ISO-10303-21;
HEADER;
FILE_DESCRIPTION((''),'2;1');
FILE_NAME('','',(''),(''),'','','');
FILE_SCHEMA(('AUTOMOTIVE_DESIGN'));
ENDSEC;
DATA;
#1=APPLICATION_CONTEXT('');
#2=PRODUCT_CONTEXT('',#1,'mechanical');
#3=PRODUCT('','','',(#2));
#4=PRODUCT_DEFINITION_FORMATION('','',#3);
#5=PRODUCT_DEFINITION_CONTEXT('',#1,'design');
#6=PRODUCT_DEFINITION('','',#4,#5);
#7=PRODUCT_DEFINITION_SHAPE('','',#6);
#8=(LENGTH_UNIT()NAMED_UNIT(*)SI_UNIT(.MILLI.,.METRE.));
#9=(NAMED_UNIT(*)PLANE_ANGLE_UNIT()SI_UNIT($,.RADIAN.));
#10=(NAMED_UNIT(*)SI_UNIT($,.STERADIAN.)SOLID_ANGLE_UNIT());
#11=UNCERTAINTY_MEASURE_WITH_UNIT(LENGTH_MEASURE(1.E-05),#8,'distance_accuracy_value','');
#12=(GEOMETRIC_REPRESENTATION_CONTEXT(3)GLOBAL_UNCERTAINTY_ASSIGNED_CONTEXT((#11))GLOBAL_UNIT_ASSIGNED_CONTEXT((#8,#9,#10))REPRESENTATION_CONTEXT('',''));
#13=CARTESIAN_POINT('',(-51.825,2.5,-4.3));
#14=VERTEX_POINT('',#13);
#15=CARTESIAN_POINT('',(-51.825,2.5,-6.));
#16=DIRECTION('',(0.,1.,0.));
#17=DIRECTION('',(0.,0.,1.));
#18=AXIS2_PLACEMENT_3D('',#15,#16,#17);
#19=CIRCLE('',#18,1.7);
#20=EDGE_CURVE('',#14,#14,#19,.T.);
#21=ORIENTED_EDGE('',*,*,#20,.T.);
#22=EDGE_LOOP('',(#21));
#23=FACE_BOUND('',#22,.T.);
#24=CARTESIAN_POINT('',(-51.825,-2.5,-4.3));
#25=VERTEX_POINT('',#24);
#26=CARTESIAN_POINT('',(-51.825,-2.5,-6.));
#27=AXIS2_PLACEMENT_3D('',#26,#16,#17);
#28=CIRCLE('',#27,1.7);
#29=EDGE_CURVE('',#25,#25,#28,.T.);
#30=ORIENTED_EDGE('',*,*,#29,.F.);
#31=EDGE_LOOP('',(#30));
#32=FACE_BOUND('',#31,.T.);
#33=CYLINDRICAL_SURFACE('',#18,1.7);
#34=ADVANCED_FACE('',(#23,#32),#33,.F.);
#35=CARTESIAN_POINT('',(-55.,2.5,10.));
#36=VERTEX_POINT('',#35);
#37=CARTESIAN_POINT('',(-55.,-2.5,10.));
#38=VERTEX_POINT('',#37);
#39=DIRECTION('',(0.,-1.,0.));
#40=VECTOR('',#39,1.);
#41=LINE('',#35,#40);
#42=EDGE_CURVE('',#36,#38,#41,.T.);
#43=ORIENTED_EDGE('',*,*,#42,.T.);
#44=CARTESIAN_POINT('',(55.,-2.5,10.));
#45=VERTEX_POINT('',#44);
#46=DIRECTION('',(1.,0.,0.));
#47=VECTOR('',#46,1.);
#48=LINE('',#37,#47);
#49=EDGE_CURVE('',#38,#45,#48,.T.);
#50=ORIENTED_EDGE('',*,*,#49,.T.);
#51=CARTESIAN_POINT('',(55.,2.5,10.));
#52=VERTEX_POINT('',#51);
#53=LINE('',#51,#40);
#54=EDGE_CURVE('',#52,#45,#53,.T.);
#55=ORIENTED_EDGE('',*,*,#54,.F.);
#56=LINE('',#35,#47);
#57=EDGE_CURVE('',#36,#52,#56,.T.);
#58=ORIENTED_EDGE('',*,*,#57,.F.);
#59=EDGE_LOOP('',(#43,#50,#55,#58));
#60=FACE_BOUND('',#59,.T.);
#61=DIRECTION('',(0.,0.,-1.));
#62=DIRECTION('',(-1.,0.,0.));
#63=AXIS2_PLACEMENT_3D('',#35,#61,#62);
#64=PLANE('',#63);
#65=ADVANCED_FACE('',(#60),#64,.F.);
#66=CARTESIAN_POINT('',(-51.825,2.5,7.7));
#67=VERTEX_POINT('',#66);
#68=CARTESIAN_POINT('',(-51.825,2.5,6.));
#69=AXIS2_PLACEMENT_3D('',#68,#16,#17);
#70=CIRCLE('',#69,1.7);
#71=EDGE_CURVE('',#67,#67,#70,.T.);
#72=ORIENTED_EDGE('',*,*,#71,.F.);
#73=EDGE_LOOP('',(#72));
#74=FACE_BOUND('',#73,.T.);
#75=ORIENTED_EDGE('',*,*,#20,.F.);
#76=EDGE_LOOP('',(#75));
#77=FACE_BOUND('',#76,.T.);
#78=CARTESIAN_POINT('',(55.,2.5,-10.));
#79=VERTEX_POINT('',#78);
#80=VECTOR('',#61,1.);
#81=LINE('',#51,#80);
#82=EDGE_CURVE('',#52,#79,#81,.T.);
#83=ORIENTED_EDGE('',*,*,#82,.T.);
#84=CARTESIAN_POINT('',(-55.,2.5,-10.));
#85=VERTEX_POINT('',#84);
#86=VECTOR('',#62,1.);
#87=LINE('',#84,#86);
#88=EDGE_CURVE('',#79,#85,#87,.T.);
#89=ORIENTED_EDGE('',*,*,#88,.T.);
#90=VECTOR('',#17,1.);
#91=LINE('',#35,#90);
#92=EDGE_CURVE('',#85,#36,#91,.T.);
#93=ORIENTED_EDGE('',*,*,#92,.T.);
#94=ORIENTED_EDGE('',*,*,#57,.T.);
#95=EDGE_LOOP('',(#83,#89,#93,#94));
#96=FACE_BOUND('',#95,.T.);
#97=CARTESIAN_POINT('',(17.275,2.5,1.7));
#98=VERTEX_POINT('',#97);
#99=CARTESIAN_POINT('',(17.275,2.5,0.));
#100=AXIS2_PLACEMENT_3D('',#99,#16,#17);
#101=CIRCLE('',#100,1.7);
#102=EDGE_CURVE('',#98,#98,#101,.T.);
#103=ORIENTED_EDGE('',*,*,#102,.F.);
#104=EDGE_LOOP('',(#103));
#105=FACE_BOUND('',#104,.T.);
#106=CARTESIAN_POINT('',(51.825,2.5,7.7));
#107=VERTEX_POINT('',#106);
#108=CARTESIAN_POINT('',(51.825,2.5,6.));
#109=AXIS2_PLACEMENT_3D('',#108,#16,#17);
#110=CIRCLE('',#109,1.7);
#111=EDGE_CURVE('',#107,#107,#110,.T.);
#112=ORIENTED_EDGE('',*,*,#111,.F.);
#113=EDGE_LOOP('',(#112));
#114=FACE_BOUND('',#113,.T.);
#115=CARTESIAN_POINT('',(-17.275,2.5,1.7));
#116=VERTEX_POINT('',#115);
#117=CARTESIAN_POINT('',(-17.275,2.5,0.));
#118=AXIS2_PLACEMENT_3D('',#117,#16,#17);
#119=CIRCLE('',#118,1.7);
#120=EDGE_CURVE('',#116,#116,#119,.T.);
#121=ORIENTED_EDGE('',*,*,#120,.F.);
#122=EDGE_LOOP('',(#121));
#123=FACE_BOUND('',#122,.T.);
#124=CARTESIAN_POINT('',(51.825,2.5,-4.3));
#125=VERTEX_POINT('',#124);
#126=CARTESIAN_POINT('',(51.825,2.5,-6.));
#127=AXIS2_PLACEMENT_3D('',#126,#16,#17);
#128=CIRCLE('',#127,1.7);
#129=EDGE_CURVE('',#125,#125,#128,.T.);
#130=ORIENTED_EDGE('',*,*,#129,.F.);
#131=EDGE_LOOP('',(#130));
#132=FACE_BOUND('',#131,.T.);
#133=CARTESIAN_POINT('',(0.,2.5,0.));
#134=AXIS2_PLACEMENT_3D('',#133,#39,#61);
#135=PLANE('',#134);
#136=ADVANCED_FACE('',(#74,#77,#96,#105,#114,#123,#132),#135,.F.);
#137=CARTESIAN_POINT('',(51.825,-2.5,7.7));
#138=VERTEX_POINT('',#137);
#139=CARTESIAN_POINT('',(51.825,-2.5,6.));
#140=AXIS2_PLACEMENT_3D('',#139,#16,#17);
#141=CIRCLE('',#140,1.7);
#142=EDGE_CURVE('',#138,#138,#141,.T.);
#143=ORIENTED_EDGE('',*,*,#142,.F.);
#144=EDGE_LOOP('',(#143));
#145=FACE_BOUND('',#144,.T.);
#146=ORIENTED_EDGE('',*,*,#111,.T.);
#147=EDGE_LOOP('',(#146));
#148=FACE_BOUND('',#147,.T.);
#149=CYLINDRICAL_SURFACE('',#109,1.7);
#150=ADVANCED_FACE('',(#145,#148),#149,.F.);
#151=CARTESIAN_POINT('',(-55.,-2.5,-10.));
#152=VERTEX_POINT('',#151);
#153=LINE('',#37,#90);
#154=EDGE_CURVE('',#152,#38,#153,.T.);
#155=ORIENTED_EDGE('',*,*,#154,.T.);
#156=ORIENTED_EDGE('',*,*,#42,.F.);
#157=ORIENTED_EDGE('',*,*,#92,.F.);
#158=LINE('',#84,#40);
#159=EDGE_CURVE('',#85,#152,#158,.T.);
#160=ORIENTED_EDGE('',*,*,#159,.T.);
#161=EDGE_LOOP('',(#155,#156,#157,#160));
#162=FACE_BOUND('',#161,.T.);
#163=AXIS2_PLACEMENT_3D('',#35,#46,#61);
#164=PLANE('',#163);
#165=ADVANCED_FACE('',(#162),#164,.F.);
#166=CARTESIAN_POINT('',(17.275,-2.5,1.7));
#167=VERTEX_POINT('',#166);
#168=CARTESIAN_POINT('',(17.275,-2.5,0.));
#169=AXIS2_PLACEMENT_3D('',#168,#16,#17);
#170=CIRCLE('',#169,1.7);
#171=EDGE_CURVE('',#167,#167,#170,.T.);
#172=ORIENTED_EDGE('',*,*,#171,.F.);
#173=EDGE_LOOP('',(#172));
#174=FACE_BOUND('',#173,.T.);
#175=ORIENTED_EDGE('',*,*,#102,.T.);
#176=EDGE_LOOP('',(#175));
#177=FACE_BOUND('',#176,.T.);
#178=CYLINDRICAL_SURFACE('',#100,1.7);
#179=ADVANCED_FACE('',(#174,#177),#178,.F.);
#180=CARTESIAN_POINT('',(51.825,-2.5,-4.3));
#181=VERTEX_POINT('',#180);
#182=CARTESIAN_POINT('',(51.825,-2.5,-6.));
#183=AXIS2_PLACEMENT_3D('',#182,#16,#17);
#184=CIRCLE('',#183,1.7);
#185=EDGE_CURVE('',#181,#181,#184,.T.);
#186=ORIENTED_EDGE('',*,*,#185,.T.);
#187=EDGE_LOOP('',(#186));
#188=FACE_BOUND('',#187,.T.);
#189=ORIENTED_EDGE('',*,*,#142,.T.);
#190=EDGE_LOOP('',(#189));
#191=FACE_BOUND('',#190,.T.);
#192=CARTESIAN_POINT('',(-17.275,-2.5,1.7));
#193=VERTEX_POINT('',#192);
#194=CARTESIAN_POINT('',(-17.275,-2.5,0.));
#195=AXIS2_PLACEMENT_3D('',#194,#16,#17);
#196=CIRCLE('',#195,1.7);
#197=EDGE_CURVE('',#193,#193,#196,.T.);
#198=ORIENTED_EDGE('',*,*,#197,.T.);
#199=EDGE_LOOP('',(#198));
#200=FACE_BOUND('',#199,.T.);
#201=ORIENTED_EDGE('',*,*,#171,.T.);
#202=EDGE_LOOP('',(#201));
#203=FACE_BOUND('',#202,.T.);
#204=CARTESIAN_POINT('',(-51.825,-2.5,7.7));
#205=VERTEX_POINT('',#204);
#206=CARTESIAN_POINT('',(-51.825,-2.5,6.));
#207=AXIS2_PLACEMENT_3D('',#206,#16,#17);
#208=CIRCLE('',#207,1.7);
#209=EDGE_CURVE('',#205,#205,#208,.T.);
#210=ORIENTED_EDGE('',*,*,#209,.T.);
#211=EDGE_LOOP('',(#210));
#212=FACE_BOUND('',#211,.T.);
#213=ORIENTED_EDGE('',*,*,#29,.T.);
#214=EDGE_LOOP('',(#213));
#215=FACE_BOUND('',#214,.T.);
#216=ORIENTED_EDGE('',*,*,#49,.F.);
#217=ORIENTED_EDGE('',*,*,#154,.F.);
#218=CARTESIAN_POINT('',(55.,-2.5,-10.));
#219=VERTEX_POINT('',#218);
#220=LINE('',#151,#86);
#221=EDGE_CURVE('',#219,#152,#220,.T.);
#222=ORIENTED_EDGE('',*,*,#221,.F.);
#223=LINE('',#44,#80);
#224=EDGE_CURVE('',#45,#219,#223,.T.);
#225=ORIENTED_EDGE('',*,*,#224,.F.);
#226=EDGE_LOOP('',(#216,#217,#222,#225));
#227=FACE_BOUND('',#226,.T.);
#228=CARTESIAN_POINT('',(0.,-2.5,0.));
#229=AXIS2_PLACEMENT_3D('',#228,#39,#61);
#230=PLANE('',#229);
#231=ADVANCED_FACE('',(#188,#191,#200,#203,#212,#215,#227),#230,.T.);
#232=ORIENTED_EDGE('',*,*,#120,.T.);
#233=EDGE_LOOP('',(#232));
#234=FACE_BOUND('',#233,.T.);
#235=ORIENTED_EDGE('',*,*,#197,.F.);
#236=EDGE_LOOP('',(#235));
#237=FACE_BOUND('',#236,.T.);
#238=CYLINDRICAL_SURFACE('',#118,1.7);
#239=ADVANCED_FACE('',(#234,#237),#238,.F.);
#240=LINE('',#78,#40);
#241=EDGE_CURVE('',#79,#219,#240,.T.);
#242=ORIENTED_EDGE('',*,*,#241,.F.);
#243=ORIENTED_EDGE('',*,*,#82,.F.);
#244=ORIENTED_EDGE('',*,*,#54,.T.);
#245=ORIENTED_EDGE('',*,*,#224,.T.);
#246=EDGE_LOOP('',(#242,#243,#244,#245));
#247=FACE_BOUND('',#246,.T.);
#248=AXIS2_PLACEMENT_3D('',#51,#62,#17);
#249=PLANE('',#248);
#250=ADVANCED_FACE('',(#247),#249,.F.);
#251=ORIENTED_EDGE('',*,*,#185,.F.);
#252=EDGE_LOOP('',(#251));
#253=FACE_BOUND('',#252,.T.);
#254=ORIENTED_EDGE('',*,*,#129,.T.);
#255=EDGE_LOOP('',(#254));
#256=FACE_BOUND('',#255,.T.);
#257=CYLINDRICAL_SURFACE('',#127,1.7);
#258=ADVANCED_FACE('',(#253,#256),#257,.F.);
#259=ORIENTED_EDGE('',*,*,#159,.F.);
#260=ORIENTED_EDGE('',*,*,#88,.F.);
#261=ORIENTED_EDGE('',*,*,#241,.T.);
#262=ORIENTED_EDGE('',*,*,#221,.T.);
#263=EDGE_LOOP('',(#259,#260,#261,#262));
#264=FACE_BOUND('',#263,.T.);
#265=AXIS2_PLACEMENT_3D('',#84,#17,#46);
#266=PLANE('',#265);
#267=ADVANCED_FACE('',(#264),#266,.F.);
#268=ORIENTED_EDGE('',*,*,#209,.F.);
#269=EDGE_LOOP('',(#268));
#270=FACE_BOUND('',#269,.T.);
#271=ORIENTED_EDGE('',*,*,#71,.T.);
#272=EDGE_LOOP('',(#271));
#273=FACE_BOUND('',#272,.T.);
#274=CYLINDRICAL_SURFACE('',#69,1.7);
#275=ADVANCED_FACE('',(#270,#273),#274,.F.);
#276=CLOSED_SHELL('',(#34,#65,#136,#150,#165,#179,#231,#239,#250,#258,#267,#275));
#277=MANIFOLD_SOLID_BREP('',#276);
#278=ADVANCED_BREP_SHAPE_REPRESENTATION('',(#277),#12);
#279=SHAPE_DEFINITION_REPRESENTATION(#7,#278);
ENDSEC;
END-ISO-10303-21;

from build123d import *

# Parameters (mm, degrees)
SKETCH1_W            = 110
SKETCH1_H            = 20
BOSS_EXTRUDE1_DEPTH  = 2.5
M3_CLEARANCE_HOLE1_D = 3.4


with BuildPart() as part:
    # Sketch1 → Boss-Extrude1 (new, symmetric)
    with BuildSketch(Plane(origin=(0, 0, 0), x_dir=(1, 0, 0), z_dir=(0, 1, 0))):
        Rectangle(SKETCH1_W, SKETCH1_H)
    extrude(amount=BOSS_EXTRUDE1_DEPTH, both=True)

    # M3 Clearance Hole1 (through all)
    with Locations(Plane(origin=(0, 2.5, 0), x_dir=(1, 0, 0), z_dir=(0, 1, 0))):
        with Locations((-17.275, 0), (-51.825, -6), (51.825, -6), (-51.825, 6), (51.825, 6), (17.275, 0)):
            Hole(M3_CLEARANCE_HOLE1_D / 2)


solid = part.part
